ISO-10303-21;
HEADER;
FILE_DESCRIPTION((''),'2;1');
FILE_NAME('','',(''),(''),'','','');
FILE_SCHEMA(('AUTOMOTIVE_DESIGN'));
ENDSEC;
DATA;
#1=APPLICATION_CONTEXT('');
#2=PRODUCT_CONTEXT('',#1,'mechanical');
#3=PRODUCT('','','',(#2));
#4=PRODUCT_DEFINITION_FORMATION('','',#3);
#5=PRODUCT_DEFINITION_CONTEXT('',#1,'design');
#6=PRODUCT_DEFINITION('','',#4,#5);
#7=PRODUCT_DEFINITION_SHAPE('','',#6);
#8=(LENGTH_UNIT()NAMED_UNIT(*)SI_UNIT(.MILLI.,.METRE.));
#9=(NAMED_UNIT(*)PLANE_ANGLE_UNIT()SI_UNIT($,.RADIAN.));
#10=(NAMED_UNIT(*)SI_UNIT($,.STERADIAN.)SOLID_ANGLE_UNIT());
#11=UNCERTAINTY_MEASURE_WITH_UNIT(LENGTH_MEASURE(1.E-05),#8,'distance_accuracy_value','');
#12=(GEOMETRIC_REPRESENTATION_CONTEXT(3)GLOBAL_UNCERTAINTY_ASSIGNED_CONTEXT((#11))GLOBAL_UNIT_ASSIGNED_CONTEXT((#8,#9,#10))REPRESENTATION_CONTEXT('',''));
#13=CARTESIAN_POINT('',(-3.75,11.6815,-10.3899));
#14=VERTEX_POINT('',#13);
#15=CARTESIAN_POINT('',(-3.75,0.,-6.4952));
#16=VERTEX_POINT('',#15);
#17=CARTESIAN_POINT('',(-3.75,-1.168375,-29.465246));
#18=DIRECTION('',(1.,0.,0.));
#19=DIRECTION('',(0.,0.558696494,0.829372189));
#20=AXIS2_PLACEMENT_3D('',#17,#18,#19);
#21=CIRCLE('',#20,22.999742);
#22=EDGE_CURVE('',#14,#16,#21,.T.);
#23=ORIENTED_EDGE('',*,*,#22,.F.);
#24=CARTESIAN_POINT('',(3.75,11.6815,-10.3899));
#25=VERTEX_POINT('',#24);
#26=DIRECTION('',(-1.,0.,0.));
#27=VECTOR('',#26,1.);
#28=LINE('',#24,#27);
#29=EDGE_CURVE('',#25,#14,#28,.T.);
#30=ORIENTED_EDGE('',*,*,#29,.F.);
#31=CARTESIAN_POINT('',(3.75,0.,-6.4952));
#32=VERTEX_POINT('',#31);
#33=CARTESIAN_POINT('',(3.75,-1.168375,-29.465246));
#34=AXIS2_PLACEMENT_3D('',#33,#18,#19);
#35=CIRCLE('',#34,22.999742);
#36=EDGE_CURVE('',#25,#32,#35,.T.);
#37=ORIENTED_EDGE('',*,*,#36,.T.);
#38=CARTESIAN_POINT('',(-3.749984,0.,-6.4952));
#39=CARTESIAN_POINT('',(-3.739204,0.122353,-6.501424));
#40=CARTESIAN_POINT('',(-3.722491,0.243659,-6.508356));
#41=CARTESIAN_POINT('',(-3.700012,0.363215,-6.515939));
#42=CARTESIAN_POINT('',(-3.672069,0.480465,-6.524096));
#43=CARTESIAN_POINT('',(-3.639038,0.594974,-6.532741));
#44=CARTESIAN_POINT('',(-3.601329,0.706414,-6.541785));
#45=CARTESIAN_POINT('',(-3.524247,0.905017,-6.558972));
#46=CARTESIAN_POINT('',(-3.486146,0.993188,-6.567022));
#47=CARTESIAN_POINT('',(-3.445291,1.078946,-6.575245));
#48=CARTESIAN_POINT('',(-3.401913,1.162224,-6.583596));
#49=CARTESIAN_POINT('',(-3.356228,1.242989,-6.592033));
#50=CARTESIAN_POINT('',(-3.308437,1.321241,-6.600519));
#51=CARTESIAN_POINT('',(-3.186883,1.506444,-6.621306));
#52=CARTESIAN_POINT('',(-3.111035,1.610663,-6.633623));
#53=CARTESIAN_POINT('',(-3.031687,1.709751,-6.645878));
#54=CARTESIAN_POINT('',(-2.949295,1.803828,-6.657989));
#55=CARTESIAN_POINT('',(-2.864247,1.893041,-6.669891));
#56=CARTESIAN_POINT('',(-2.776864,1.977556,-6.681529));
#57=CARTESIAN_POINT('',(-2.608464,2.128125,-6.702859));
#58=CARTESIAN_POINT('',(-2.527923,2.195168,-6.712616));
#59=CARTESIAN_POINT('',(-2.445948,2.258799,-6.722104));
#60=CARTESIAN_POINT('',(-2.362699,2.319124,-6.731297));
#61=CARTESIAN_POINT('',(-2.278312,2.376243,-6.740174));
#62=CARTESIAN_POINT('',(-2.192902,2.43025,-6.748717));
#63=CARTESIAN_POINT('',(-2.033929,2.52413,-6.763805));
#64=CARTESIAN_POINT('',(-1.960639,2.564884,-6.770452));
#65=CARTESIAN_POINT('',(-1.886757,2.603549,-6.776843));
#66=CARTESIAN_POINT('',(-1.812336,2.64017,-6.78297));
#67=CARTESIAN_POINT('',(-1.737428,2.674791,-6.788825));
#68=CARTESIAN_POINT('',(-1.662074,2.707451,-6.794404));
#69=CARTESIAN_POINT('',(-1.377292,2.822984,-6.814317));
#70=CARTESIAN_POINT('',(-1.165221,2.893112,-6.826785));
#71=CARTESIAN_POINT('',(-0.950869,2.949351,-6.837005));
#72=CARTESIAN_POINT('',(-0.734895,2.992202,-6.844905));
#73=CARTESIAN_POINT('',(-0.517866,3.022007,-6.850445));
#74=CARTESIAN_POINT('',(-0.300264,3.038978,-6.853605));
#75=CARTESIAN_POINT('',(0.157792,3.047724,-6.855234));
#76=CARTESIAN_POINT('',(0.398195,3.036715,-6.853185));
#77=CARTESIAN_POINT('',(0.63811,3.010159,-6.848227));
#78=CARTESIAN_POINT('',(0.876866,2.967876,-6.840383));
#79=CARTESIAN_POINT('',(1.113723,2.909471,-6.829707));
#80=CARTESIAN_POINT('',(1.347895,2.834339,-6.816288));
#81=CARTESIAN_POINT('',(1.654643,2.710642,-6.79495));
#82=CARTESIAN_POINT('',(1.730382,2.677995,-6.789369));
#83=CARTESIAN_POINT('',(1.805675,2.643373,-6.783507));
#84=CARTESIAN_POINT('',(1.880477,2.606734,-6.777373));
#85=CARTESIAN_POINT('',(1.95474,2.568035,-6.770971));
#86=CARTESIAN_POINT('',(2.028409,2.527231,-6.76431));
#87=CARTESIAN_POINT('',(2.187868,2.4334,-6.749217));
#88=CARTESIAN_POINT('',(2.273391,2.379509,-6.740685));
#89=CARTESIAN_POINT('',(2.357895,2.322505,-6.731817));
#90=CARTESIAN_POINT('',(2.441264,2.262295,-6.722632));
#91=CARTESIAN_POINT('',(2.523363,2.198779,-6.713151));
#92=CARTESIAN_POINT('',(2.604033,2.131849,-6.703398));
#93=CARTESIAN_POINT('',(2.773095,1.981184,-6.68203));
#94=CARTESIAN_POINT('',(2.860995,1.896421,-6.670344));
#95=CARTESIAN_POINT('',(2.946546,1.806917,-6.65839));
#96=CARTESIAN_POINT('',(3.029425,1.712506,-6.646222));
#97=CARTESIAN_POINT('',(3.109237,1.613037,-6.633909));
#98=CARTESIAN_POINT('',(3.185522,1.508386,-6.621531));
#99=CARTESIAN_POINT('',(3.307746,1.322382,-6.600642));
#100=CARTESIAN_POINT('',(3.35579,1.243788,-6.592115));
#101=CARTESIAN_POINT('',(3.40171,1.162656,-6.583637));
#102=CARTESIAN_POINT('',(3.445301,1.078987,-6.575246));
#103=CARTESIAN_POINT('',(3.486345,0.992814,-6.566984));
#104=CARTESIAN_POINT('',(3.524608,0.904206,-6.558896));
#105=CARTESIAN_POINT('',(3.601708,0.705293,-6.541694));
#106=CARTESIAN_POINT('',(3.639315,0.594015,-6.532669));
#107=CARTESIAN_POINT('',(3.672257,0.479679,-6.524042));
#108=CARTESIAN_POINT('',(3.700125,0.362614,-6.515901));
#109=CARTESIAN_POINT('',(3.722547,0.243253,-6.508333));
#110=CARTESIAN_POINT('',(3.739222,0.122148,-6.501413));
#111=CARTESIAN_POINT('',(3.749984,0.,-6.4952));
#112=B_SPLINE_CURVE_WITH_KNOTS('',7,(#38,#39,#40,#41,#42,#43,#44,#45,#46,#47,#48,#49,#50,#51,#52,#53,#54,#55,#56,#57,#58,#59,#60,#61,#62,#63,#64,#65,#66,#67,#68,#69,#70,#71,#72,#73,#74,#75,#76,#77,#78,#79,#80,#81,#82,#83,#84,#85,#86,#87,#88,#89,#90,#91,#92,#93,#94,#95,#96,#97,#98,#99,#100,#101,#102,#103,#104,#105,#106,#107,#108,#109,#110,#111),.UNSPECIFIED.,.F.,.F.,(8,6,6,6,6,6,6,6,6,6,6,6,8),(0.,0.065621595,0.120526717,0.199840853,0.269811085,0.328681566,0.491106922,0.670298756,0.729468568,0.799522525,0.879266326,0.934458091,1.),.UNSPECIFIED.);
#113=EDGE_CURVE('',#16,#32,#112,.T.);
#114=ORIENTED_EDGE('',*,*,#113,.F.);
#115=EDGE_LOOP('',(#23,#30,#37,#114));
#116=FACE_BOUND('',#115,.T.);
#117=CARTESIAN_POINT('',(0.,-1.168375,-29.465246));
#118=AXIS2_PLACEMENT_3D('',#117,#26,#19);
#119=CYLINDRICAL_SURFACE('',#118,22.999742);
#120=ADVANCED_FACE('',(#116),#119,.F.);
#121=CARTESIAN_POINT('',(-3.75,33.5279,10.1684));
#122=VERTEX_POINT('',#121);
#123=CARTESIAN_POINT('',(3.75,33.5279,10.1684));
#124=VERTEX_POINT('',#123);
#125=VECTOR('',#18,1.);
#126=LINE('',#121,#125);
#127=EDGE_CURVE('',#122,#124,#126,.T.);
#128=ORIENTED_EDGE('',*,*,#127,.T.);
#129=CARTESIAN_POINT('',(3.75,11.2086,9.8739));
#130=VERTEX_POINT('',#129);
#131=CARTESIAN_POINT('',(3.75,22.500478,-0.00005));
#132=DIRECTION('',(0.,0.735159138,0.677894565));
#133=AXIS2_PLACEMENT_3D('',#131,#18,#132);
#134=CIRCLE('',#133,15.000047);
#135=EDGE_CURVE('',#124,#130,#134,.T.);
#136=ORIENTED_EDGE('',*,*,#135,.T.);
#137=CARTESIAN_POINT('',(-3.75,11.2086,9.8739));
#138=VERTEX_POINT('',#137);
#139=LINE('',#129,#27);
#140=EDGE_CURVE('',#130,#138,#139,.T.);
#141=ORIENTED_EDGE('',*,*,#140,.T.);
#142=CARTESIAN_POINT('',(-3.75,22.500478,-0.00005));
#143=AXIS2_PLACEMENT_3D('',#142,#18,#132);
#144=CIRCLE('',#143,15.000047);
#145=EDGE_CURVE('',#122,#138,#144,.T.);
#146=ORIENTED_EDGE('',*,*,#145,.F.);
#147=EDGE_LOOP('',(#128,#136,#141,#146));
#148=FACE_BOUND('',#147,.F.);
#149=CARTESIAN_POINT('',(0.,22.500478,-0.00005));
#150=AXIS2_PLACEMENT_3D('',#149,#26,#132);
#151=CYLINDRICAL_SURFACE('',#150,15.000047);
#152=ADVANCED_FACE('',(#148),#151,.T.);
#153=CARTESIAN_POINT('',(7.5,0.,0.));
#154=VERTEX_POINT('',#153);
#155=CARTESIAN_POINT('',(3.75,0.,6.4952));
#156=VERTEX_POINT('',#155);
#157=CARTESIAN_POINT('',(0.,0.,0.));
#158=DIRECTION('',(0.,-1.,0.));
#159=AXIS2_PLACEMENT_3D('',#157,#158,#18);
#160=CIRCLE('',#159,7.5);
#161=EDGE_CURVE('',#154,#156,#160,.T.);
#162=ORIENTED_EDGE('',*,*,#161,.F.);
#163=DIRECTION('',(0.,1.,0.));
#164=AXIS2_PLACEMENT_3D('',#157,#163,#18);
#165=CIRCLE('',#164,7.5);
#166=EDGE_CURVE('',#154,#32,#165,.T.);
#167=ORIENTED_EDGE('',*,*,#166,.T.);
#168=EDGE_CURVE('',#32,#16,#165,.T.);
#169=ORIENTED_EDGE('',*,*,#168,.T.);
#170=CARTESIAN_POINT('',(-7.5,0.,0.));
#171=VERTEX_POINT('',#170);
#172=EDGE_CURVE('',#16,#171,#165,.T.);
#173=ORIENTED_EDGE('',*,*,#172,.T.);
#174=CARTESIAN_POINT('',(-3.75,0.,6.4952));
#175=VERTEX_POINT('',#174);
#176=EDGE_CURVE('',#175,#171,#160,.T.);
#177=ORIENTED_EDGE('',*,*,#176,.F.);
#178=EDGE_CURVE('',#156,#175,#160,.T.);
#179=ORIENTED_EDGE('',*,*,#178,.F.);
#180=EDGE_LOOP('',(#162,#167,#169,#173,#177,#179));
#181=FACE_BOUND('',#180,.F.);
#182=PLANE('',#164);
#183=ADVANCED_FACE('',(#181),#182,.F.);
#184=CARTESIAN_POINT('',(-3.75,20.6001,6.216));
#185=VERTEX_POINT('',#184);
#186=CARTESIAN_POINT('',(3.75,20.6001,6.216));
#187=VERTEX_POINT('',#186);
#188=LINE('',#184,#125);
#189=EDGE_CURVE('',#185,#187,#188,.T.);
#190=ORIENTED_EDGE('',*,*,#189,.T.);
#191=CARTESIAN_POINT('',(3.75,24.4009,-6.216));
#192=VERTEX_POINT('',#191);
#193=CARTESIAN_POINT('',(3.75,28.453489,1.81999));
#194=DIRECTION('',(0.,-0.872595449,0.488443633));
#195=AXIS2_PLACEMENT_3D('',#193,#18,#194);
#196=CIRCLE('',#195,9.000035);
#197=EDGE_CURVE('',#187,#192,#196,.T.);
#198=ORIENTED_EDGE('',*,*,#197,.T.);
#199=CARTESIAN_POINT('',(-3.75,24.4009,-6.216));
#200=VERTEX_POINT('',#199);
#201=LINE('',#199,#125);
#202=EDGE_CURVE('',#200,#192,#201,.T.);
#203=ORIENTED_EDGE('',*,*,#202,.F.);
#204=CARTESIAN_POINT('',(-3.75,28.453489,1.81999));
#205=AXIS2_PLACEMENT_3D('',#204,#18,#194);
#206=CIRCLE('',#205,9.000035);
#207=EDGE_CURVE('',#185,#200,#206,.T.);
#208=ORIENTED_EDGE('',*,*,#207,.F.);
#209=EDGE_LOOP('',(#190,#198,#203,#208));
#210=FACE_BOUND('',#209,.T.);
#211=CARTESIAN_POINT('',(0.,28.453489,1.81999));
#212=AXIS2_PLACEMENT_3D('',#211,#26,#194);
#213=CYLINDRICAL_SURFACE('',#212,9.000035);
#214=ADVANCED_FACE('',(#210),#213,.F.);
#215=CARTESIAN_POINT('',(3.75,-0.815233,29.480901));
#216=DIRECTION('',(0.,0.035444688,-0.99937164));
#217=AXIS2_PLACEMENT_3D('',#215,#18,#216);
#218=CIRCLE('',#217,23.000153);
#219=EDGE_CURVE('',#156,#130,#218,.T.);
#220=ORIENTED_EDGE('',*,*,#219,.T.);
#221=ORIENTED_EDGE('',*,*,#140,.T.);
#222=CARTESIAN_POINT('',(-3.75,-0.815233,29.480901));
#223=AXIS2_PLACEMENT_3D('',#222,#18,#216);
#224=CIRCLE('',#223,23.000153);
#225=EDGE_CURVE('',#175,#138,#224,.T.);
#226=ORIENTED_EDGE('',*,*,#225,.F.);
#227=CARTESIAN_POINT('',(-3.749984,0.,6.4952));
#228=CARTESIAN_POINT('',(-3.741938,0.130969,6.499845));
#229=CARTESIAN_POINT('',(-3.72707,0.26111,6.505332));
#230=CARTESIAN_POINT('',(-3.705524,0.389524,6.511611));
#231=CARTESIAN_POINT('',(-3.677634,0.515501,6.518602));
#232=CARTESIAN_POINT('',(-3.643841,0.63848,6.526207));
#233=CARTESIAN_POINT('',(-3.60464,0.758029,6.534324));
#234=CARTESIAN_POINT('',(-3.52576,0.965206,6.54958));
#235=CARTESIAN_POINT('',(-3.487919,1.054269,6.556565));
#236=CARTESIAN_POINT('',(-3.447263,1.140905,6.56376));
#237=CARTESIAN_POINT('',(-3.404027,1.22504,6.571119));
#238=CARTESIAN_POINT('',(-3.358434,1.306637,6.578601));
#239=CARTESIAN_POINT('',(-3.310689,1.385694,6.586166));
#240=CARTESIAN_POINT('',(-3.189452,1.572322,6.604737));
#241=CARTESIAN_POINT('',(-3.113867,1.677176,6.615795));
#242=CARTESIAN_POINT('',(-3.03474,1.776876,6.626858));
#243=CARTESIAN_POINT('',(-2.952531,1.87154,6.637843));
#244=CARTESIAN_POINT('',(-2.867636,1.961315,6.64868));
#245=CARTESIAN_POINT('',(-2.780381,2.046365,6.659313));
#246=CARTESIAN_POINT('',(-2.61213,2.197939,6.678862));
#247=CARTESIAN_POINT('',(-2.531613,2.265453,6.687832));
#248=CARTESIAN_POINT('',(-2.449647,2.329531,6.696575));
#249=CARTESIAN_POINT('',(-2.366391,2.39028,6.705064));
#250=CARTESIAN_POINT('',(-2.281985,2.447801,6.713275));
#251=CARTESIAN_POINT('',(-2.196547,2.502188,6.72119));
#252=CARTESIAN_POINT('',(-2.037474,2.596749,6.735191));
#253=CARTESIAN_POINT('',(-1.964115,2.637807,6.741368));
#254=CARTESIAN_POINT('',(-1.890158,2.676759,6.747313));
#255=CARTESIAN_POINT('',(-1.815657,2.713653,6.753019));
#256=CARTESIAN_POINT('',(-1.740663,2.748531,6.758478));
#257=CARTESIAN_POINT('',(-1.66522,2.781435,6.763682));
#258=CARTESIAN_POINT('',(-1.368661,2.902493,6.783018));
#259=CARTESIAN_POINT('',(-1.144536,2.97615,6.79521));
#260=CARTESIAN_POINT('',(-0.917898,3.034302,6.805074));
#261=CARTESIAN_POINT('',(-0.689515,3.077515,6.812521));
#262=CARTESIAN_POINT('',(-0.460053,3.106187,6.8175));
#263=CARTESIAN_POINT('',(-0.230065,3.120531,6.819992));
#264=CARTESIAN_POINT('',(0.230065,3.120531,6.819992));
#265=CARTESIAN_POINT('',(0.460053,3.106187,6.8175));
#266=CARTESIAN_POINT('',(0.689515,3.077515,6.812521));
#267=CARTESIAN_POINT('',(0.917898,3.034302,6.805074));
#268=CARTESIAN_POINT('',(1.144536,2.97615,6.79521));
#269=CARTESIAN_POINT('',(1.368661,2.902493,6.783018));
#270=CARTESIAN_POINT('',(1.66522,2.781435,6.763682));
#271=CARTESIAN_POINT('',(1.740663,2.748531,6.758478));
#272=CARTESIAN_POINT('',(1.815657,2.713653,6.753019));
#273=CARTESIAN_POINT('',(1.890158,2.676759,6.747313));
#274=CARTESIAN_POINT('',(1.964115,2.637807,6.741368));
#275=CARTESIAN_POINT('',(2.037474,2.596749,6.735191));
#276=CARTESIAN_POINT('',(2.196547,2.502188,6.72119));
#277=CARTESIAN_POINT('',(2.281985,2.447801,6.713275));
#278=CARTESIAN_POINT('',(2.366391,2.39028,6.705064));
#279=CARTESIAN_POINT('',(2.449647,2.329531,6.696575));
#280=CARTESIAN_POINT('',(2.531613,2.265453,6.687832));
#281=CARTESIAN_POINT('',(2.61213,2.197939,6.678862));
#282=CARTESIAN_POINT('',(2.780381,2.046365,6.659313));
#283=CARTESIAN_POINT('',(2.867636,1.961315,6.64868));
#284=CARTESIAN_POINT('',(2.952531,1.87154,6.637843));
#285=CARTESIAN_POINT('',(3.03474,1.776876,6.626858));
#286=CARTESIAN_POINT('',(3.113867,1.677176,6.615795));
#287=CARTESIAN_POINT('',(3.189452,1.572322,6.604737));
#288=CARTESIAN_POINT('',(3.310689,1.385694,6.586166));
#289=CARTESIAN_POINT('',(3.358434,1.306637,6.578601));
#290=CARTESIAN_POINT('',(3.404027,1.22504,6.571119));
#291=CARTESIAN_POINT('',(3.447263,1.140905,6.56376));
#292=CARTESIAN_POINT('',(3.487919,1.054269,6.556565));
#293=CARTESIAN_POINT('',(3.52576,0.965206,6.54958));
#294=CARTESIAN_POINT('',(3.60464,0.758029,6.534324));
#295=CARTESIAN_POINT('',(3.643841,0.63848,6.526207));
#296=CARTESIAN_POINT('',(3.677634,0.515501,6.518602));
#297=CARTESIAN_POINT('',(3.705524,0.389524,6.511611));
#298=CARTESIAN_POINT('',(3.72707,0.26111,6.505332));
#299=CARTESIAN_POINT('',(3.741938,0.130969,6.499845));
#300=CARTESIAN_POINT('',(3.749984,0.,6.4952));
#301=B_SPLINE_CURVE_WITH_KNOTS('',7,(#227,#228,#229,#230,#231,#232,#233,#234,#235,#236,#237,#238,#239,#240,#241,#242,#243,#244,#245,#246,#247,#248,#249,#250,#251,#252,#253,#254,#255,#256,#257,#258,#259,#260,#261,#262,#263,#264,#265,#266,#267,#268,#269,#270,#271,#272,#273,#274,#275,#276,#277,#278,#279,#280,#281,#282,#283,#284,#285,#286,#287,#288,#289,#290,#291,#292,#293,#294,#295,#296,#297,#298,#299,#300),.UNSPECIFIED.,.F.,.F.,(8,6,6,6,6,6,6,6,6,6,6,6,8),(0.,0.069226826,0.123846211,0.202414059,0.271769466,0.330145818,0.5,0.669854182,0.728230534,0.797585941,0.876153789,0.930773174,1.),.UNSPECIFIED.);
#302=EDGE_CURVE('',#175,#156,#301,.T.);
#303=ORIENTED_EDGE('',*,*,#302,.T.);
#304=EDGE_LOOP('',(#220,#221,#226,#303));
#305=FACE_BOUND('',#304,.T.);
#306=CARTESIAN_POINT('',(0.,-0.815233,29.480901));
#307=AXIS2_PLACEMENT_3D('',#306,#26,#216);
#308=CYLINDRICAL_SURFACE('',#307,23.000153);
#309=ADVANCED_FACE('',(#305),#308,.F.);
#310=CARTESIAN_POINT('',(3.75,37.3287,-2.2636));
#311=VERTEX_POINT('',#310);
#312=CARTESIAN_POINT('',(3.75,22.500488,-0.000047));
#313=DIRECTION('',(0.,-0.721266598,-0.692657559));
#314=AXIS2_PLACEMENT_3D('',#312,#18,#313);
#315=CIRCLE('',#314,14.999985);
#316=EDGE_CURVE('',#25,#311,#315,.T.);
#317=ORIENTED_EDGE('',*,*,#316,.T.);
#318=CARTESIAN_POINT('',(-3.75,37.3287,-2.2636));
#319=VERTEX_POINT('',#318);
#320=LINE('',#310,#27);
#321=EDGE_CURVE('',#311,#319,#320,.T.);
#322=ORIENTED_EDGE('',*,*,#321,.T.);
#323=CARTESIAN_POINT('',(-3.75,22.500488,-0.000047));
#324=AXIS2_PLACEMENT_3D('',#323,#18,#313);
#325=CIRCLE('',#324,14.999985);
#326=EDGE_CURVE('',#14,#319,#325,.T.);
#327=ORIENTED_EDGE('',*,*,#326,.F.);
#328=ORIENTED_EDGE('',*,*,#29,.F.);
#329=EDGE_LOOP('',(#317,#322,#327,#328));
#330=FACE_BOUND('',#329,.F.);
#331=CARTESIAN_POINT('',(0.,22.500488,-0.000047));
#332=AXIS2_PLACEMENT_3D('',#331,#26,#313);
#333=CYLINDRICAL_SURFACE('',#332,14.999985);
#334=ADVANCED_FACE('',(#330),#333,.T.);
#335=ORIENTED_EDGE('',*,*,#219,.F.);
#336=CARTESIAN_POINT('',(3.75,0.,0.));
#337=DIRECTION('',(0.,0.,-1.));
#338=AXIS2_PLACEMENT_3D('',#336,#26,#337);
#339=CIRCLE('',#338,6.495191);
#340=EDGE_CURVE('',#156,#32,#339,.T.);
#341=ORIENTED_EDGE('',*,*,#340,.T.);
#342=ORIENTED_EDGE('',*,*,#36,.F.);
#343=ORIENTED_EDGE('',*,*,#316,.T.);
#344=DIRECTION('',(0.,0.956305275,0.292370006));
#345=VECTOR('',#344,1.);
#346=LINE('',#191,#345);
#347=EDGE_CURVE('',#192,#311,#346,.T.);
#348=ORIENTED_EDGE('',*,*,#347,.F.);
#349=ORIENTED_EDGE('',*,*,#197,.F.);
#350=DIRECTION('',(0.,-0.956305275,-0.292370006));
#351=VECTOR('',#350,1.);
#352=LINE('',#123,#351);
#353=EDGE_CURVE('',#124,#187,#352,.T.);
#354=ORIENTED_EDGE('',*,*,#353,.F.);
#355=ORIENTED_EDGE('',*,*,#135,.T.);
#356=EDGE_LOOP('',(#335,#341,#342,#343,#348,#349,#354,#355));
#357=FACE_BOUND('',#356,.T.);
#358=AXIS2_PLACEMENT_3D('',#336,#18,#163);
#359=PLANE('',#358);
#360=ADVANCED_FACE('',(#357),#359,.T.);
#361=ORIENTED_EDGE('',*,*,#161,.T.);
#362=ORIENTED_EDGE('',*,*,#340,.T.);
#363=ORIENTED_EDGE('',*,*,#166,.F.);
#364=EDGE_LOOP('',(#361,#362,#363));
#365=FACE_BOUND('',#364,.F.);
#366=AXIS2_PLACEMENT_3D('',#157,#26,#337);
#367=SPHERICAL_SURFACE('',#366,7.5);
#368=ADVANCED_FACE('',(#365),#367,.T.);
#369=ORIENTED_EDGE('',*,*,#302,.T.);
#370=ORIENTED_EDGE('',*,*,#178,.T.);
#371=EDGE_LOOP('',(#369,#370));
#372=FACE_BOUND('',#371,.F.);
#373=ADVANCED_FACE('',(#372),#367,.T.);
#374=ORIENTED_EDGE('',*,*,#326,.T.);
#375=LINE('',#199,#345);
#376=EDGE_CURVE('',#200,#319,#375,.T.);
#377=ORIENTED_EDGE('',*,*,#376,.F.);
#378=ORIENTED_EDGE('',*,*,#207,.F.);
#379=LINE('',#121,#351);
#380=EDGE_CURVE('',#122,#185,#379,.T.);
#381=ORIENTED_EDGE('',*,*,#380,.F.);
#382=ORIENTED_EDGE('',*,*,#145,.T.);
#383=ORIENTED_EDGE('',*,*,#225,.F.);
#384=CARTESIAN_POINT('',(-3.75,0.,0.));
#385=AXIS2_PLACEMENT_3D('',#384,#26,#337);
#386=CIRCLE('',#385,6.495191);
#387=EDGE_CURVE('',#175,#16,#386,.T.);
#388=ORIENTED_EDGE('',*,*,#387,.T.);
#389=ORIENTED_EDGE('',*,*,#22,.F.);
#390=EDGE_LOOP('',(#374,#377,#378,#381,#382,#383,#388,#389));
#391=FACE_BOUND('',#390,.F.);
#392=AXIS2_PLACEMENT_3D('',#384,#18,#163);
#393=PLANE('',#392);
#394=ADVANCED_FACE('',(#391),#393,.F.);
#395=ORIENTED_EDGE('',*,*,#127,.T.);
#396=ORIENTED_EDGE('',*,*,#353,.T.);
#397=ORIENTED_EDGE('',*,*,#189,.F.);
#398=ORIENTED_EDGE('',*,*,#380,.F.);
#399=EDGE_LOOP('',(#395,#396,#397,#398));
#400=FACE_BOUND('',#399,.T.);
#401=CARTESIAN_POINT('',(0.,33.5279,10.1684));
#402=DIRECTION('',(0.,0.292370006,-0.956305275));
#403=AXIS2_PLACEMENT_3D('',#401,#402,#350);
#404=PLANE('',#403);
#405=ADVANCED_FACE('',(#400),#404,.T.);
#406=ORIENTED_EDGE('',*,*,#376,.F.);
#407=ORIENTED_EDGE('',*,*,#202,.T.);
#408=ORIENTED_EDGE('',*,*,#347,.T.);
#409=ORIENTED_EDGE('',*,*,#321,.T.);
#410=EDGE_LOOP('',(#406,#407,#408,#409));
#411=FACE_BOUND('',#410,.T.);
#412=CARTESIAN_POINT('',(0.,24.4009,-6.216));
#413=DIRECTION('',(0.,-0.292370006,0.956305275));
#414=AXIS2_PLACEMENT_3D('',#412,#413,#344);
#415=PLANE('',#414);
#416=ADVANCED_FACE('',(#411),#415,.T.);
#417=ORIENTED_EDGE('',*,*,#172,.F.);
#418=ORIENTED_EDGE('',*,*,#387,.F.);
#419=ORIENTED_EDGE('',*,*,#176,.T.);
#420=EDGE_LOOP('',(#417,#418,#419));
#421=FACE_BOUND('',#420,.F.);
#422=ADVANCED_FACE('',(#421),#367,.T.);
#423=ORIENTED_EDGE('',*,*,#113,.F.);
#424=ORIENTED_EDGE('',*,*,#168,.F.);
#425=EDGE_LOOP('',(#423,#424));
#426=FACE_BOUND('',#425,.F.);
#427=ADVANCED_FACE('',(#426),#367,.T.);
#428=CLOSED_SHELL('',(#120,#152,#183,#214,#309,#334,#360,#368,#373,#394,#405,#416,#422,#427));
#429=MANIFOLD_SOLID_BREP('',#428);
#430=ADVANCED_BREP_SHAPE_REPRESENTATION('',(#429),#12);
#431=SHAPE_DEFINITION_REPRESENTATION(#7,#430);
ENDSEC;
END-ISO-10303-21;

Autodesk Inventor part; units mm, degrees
ref_plane "YZ Plane" through (0, 0, 0) normal (1, 0, 0) x (0, 1, 0)
ref_plane "XZ Plane" through (0, 0, 0) normal (0, 1, 0) x (-1, 0, 0)
ref_plane "XY Plane" through (0, 0, 0) normal (0, 0, 1) x (1, 0, 0)
sketch "Sketch1" plane through (0, 0, 0) normal (0, 0, 1) x (1, 0, 0)
  arc A0 (7.5, 0) -> (-7.5, 0) centre (0, 0) ccw
  line L0 (-7.5, 0) -> (7.5, 0)
  dimension "d2" = 7.5
revolve "Revolution1" add sketch "Sketch1" angle 180 mid plane about axis through (-7.5, 0, 0) along (1, 0, 0)
sketch "Sketch2" plane through (0, 0, 0) normal (1, 0, 0) x (0, 1, 0)
  line L0 (24.4009, -6.216) -> (37.3287, -2.2636)
  line L1 (33.5279, 10.1684) -> (20.6001, 6.216)
  arc A0 (20.6001, 6.216) -> (24.4009, -6.216) centre (28.4534, 1.82) ccw
  arc A1 (33.5279, 10.1684) -> (11.2086, 9.8739) centre (22.5005, 0) ccw
  arc A2 (11.6815, -10.3899) -> (37.3287, -2.2636) centre (22.5005, 0) ccw
  arc A3 (11.6815, -10.3899) -> (0, -6.4952) centre (-1.1685, -29.4655) ccw
  arc A4 (0, 6.4952) -> (11.2086, 9.8739) centre (-0.8152, 29.4807) ccw
  line L2 (0, -6.4952) -> (0, 6.4952)
  line L3 (0, 7.5) -> (0, -7.5) projected
  point P0 (0, 0)
  dimension "d15" = 23
  dimension "d16" = 23
extrude "Extrusion1" add sketch "Sketch2" along normal mid plane 7.5
properties part number "Spanner"
